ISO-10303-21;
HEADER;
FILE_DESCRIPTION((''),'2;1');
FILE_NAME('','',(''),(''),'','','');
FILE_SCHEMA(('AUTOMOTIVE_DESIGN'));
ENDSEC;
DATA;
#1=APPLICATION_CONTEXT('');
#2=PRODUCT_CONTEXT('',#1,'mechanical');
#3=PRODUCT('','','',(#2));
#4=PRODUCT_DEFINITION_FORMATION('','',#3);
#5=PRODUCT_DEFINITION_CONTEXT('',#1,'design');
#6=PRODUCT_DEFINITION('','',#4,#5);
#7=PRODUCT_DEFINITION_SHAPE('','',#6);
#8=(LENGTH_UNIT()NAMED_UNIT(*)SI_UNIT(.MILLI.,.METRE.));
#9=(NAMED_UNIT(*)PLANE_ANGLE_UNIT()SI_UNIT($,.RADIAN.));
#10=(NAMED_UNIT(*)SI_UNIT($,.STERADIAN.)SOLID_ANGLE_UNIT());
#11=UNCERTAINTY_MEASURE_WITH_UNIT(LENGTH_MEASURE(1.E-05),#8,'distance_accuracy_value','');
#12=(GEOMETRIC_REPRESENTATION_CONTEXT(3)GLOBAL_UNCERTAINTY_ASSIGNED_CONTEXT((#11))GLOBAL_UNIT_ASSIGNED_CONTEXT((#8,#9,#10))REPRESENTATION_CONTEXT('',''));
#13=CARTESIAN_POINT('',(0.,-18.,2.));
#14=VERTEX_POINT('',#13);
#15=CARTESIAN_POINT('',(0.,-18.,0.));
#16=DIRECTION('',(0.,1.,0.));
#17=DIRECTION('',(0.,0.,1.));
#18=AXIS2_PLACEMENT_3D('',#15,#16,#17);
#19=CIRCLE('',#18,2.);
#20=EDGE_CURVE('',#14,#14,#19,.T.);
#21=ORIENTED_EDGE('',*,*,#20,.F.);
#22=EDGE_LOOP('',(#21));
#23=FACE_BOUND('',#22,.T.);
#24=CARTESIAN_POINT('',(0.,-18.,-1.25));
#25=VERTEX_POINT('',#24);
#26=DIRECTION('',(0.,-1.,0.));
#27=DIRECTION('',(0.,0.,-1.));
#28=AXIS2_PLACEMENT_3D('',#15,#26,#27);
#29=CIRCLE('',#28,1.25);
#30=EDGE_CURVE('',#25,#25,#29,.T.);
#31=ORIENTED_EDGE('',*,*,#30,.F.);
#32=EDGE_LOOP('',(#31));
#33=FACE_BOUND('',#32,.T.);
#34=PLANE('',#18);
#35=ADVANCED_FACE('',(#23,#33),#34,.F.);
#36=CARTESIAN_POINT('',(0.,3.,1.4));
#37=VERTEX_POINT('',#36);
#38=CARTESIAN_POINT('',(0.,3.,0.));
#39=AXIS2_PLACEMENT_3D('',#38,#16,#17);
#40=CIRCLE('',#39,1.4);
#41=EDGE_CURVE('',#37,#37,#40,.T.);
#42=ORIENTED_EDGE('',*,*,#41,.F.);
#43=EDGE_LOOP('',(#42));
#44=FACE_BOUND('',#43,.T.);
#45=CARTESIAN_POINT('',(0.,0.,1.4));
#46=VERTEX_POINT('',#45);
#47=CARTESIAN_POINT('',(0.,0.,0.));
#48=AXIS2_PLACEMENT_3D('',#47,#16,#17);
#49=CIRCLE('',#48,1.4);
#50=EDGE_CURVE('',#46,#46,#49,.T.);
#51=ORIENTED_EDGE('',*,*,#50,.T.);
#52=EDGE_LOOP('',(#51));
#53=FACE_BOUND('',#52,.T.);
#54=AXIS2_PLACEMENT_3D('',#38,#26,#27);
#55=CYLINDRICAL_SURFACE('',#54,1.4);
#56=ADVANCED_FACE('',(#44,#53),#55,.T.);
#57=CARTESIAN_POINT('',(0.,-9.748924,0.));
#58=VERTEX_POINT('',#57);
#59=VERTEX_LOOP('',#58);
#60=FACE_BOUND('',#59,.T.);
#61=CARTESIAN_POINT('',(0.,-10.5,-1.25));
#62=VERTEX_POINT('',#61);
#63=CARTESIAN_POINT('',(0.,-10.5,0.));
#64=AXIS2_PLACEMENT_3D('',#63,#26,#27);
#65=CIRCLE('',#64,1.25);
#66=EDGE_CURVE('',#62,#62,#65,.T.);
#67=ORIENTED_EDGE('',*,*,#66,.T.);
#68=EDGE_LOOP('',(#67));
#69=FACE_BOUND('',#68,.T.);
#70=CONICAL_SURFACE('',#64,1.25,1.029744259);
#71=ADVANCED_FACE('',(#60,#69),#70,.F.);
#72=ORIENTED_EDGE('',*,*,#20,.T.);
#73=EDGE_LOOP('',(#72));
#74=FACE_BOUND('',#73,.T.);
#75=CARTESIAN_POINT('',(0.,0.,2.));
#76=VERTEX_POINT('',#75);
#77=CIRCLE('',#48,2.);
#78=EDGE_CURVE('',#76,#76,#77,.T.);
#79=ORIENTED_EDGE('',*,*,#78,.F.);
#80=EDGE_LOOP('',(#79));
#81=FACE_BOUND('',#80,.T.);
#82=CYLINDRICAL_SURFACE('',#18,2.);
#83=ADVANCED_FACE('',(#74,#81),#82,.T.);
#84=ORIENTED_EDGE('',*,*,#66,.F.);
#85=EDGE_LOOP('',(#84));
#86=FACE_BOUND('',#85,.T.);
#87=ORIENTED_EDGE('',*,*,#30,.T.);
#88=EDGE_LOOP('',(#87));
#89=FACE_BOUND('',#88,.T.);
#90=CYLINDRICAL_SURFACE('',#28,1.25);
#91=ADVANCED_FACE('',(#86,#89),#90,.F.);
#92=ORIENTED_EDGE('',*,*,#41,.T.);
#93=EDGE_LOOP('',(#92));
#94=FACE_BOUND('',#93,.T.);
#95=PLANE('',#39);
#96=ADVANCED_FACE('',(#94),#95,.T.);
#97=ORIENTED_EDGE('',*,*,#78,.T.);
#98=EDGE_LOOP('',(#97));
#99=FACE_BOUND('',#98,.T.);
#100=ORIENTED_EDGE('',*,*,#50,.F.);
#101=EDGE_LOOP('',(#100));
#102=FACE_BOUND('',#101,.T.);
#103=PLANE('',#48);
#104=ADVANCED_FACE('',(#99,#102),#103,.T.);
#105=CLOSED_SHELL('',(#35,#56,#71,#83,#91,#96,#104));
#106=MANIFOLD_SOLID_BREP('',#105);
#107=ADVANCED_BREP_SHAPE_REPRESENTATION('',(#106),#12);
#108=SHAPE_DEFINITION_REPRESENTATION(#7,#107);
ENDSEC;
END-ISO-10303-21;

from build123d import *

# Parameters (mm, degrees)
SKETCH_1_R             = 2
EXTRUDE_1_DEPTH        = 18
SKETCH_2_R             = 1.4
EXTRUDE_2_DEPTH        = 3
HOLE_WIZARD_M3_1_D     = 2.5
HOLE_WIZARD_M3_1_DEPTH = 7.5
HOLE_WIZARD_M3_1_TIP   = 0.751075774


with BuildPart() as part:
    # 草图1 → 凸台-拉伸1 (new body)
    with BuildSketch(Plane(origin=(0, 0, 0), x_dir=(1, 0, 0), z_dir=(0, 1, 0))):
        with Locations(Location((0, 0, 0), (0, 0, 270))):
            Circle(SKETCH_1_R)
    extrude(amount=-EXTRUDE_1_DEPTH)

    # 草图2 → 凸台-拉伸2 (add)
    with BuildSketch(Plane(origin=(0, 0, 0), x_dir=(1, 0, 0), z_dir=(0, 1, 0))):
        with Locations(Location((0, 0, 0), (0, 0, 270))):
            Circle(SKETCH_2_R)
    extrude(amount=EXTRUDE_2_DEPTH)

    # M3 螺纹孔1
    with Locations(Plane(origin=(0, -18, 0), x_dir=(0, 0, -1), z_dir=(0, -1, 0))):
        with Locations((0, 0)):
            Hole(HOLE_WIZARD_M3_1_D / 2, depth=HOLE_WIZARD_M3_1_DEPTH)
            with Locations((0, 0, -(HOLE_WIZARD_M3_1_DEPTH + HOLE_WIZARD_M3_1_TIP / 2))):  # 118° drill point
                Cone(0, HOLE_WIZARD_M3_1_D / 2, HOLE_WIZARD_M3_1_TIP, mode=Mode.SUBTRACT)


solid = part.part
